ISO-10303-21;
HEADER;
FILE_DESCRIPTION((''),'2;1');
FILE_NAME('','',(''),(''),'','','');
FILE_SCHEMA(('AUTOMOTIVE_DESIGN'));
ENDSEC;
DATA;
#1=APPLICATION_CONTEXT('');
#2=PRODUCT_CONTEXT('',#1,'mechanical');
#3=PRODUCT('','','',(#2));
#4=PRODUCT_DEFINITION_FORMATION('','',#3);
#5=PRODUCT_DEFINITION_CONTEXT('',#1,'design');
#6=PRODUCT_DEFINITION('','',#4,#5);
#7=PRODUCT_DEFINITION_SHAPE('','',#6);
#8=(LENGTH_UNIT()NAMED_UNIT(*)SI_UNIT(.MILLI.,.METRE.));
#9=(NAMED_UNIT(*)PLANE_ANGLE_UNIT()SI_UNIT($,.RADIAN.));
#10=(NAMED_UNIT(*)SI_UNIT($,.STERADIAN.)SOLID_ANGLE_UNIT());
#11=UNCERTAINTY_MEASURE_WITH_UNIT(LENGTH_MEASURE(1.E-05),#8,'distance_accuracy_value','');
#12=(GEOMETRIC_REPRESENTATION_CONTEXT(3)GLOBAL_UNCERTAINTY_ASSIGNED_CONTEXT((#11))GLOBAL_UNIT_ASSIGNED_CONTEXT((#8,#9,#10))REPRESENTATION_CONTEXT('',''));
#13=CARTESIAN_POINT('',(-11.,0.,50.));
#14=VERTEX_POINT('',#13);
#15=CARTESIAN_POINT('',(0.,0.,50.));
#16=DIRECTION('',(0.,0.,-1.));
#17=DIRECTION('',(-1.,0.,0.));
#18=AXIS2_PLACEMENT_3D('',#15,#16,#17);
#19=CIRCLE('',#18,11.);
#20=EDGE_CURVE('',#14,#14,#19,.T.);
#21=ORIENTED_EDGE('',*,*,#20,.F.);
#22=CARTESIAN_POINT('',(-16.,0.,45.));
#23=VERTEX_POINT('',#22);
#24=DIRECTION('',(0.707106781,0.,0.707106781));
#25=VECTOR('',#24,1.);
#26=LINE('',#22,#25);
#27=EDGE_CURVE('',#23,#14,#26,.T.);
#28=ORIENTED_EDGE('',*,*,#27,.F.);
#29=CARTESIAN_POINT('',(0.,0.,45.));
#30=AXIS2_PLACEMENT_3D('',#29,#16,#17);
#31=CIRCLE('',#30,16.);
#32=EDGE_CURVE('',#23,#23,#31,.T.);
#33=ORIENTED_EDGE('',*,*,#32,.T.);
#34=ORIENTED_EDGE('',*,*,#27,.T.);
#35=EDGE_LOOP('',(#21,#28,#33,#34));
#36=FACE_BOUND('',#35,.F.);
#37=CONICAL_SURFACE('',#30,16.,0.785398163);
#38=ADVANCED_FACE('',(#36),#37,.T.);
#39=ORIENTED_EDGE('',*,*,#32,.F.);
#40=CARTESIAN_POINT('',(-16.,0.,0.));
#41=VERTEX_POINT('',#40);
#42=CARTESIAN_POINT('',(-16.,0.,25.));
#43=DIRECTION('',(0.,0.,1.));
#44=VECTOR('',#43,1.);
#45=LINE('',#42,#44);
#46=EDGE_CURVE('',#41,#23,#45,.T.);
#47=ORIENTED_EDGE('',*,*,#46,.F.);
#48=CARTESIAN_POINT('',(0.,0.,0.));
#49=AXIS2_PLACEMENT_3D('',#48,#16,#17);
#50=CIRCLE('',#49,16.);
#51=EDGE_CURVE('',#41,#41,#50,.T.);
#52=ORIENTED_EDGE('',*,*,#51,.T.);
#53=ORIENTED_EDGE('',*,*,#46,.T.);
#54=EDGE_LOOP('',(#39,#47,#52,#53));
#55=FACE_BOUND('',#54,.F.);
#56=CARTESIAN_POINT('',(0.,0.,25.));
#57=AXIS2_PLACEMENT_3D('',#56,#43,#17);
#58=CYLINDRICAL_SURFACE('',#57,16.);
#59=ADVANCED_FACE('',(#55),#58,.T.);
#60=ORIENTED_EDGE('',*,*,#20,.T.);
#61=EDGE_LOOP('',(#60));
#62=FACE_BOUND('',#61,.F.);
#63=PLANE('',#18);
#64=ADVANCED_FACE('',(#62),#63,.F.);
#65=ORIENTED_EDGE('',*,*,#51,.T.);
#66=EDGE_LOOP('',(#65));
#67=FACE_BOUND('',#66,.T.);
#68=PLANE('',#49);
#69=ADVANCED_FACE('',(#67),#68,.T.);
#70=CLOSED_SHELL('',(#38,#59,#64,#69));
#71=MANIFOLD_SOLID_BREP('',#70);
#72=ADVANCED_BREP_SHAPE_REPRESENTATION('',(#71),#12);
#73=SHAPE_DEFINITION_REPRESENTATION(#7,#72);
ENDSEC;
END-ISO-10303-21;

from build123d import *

# Parameters (mm, degrees)
F0_W    = 16
F0_H    = 50
F2_SIZE = 5


with BuildPart() as f1:
    # F0 (on Front) → F1 (revolve)
    with BuildSketch(Plane.XZ):
        with Locations((-8, 25)):
            Rectangle(F0_W, F0_H)
    revolve(axis=Axis((0, 0, 25), (0, 0, -1)))

    # F2
    f2_edges = [f1.edges().sort_by_distance(p)[0] for p in [
        (16, 0, 50),
    ]]
    chamfer(f2_edges, length=F2_SIZE)


solid = f1.part
